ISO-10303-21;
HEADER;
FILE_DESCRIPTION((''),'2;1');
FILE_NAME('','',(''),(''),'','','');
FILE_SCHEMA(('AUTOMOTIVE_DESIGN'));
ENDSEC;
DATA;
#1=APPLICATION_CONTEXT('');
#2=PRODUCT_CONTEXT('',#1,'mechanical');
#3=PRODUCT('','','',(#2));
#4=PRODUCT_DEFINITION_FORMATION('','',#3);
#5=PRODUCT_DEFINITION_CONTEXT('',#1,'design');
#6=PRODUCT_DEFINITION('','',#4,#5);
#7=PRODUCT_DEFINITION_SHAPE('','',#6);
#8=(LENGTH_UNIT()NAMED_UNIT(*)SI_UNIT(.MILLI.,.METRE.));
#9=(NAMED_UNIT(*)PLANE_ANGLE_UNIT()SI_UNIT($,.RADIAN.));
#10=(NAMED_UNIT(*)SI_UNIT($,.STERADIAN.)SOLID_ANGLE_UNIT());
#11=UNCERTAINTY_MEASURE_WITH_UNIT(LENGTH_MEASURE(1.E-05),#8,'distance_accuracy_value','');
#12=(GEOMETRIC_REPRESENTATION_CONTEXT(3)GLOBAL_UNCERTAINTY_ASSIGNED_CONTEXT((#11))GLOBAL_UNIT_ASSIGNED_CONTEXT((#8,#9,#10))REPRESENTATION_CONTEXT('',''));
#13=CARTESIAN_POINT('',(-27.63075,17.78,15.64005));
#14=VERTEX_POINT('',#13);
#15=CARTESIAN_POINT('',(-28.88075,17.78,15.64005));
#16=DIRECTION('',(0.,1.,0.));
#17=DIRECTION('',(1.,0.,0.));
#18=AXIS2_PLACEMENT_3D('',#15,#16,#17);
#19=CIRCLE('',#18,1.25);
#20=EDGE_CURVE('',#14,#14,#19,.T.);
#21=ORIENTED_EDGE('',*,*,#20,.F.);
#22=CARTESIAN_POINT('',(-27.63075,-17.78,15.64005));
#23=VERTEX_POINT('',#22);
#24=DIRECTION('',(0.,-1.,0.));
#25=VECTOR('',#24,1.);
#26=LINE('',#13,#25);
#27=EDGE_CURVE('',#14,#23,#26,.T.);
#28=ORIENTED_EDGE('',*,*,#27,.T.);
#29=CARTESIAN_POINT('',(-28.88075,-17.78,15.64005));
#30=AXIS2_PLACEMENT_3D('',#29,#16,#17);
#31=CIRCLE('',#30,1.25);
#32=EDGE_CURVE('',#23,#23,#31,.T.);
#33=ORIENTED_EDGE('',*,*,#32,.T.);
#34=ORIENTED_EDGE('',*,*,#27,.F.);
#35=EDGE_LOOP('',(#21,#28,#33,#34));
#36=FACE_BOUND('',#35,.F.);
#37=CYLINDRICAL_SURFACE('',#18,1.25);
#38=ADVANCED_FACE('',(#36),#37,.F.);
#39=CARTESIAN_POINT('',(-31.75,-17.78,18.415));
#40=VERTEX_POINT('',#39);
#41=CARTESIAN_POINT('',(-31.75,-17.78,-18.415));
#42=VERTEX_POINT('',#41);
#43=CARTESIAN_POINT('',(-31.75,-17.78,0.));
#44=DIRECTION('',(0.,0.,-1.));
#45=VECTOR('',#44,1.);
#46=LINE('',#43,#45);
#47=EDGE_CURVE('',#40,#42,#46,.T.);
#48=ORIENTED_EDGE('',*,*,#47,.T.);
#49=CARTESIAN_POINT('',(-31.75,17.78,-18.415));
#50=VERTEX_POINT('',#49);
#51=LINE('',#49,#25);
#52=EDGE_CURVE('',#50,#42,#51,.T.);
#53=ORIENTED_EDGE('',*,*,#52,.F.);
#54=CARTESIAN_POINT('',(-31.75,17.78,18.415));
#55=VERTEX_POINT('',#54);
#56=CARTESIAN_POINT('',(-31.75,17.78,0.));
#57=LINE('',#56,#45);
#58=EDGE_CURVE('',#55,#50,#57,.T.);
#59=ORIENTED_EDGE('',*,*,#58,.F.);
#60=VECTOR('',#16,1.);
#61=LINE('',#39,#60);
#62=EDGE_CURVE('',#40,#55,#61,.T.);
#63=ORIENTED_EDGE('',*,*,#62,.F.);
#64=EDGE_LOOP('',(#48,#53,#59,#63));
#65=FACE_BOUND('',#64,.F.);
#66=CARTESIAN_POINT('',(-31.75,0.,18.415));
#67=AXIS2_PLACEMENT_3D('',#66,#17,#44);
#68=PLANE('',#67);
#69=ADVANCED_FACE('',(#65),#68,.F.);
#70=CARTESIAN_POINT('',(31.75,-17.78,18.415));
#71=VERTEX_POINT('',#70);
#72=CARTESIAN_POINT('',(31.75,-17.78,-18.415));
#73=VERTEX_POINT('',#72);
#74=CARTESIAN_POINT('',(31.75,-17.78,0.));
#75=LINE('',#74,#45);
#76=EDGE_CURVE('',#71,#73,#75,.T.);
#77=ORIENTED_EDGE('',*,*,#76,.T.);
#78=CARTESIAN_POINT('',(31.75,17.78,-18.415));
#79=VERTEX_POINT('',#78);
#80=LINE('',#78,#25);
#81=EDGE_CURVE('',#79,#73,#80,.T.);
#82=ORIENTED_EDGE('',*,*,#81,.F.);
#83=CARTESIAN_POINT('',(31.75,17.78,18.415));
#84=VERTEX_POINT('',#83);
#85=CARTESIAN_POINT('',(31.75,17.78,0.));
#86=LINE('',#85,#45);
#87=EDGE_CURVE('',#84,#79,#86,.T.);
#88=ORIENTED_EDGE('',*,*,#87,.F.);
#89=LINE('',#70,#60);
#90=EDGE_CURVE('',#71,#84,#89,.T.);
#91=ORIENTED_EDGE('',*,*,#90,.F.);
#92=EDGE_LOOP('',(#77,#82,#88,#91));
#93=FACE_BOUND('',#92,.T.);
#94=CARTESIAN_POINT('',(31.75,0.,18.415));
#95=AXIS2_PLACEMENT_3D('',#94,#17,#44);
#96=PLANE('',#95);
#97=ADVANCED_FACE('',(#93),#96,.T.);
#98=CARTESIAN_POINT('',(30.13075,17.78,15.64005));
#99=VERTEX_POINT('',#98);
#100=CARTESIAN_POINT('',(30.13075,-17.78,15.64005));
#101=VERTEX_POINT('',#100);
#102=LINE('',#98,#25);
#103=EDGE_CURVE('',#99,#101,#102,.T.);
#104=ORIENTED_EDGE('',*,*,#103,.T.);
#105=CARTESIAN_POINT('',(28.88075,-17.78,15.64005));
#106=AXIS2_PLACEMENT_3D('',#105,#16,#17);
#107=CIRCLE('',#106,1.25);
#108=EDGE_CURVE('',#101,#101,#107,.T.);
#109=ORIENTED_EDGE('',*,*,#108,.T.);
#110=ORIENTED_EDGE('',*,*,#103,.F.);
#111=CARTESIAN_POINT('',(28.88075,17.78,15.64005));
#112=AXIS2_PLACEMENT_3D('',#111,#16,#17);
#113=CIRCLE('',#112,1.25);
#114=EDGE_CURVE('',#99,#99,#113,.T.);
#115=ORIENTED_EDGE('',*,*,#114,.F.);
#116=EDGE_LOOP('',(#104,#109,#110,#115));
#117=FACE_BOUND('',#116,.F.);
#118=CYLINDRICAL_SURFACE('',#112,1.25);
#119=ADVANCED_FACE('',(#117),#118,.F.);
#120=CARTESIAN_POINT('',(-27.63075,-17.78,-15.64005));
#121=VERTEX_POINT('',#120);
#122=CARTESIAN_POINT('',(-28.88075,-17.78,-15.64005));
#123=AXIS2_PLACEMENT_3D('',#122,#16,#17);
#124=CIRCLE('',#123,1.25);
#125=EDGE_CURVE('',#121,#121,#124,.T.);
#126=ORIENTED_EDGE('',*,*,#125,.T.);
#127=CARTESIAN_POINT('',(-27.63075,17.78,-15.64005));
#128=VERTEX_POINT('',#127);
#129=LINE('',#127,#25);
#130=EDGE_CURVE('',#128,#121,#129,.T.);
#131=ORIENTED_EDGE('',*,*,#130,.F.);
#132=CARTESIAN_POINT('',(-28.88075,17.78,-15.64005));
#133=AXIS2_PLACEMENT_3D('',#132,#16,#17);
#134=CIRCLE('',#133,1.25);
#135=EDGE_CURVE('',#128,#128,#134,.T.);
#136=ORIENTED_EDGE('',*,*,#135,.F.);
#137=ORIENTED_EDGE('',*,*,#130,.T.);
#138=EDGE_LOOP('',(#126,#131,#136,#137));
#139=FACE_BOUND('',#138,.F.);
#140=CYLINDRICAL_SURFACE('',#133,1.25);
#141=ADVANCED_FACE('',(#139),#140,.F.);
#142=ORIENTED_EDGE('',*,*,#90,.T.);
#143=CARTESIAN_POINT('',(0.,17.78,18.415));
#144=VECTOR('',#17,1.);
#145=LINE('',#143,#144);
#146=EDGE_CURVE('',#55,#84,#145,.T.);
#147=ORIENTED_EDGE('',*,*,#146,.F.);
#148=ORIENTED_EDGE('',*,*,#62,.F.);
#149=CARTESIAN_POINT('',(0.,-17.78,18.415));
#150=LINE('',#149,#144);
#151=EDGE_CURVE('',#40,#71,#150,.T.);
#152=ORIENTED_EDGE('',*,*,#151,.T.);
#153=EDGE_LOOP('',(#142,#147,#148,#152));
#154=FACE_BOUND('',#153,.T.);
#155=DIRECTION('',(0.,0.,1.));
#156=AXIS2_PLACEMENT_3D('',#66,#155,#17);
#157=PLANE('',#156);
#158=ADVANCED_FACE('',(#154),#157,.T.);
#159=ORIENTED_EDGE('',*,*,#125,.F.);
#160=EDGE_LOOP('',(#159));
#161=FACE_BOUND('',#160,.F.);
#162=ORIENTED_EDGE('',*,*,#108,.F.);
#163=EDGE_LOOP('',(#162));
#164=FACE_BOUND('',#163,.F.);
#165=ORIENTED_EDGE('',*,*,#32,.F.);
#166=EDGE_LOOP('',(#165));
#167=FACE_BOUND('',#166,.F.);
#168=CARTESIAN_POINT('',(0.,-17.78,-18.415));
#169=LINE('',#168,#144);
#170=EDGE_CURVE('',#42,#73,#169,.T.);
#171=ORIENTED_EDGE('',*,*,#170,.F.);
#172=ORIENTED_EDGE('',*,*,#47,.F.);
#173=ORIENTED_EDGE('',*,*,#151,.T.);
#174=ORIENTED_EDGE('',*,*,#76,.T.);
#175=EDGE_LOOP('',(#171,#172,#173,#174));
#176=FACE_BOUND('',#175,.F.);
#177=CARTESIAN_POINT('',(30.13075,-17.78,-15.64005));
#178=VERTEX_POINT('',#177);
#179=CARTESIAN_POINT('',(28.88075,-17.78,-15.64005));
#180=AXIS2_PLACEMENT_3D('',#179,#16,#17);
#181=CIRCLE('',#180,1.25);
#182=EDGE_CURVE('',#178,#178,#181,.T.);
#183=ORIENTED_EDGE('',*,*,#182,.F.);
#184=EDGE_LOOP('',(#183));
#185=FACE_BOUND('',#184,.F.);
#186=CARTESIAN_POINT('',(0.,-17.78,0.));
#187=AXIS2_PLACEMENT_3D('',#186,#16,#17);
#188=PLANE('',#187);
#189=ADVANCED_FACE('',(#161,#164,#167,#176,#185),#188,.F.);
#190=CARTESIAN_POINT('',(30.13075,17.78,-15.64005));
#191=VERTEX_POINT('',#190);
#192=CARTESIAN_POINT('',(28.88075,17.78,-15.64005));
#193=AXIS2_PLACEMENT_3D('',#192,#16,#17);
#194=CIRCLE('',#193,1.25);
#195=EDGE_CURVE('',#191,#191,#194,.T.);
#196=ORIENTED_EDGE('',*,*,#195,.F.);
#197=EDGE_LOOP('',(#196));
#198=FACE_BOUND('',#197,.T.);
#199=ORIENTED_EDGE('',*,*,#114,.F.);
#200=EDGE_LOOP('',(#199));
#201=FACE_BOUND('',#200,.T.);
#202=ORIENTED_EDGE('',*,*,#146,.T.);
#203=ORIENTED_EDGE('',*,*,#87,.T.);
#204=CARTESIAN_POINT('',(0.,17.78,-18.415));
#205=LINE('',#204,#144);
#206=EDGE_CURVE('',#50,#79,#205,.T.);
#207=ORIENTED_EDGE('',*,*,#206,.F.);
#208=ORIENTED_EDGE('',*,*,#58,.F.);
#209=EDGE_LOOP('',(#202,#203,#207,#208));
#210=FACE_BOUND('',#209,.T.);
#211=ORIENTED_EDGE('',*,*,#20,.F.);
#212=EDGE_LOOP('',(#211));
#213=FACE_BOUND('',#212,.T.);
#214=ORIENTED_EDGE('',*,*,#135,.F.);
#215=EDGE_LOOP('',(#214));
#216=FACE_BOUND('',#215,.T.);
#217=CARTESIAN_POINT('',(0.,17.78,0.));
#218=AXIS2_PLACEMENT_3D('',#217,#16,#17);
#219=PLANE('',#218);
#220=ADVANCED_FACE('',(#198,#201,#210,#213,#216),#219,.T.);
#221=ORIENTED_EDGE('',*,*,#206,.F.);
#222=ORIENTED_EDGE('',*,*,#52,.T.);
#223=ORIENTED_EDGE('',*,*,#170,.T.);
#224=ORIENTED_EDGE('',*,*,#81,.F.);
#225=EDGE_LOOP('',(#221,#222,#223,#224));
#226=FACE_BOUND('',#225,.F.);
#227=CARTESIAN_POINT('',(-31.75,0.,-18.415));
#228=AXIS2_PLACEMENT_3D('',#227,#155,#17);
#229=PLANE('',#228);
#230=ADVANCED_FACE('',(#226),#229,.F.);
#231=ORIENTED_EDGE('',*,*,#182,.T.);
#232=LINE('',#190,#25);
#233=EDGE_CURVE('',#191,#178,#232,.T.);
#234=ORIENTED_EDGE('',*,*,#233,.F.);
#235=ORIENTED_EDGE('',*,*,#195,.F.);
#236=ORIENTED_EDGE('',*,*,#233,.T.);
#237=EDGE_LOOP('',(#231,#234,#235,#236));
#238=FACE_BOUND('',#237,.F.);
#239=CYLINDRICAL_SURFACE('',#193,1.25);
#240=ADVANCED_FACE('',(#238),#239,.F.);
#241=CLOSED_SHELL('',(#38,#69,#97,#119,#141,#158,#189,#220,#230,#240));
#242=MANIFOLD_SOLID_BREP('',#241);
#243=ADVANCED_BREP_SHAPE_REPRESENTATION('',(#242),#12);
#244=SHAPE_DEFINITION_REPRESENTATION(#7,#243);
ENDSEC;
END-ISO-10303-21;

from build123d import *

# Parameters (mm, degrees)
SKETCH2_W               = 63.5
SKETCH2_H               = 36.83
BOSS_EXTRUDE1_DEPTH     = 17.78
SKETCH3_R               = 1.25
CUT_EXTRUDE1_DEPTH      = 1
CUT_EXTRUDE1_DEPTH_BACK = 36.56


with BuildPart() as part:
    # Sketch2 → Boss-Extrude1 (new body, symmetric)
    with BuildSketch(Plane(origin=(0, 0, 0), x_dir=(1, 0, 0), z_dir=(0, 1, 0))):
        Rectangle(SKETCH2_W, SKETCH2_H)
    extrude(amount=BOSS_EXTRUDE1_DEPTH, both=True)

    # Sketch3 → Cut-Extrude1 (cut, two sides)
    with BuildSketch(Plane(origin=(0, 17.78, 0), x_dir=(1, 0, 0), z_dir=(0, 1, 0))) as cut_extrude1_sk:
        with Locations((-28.88075, 15.64005)):
            Circle(SKETCH3_R)
        with Locations((28.88075, 15.64005)):
            Circle(SKETCH3_R)
        with Locations((28.88075, -15.64005)):
            Circle(SKETCH3_R)
        with Locations((-28.88075, -15.64005)):
            Circle(SKETCH3_R)
    extrude(amount=CUT_EXTRUDE1_DEPTH, mode=Mode.SUBTRACT)
    extrude(cut_extrude1_sk.sketch, amount=-CUT_EXTRUDE1_DEPTH_BACK, mode=Mode.SUBTRACT)


solid = part.part
